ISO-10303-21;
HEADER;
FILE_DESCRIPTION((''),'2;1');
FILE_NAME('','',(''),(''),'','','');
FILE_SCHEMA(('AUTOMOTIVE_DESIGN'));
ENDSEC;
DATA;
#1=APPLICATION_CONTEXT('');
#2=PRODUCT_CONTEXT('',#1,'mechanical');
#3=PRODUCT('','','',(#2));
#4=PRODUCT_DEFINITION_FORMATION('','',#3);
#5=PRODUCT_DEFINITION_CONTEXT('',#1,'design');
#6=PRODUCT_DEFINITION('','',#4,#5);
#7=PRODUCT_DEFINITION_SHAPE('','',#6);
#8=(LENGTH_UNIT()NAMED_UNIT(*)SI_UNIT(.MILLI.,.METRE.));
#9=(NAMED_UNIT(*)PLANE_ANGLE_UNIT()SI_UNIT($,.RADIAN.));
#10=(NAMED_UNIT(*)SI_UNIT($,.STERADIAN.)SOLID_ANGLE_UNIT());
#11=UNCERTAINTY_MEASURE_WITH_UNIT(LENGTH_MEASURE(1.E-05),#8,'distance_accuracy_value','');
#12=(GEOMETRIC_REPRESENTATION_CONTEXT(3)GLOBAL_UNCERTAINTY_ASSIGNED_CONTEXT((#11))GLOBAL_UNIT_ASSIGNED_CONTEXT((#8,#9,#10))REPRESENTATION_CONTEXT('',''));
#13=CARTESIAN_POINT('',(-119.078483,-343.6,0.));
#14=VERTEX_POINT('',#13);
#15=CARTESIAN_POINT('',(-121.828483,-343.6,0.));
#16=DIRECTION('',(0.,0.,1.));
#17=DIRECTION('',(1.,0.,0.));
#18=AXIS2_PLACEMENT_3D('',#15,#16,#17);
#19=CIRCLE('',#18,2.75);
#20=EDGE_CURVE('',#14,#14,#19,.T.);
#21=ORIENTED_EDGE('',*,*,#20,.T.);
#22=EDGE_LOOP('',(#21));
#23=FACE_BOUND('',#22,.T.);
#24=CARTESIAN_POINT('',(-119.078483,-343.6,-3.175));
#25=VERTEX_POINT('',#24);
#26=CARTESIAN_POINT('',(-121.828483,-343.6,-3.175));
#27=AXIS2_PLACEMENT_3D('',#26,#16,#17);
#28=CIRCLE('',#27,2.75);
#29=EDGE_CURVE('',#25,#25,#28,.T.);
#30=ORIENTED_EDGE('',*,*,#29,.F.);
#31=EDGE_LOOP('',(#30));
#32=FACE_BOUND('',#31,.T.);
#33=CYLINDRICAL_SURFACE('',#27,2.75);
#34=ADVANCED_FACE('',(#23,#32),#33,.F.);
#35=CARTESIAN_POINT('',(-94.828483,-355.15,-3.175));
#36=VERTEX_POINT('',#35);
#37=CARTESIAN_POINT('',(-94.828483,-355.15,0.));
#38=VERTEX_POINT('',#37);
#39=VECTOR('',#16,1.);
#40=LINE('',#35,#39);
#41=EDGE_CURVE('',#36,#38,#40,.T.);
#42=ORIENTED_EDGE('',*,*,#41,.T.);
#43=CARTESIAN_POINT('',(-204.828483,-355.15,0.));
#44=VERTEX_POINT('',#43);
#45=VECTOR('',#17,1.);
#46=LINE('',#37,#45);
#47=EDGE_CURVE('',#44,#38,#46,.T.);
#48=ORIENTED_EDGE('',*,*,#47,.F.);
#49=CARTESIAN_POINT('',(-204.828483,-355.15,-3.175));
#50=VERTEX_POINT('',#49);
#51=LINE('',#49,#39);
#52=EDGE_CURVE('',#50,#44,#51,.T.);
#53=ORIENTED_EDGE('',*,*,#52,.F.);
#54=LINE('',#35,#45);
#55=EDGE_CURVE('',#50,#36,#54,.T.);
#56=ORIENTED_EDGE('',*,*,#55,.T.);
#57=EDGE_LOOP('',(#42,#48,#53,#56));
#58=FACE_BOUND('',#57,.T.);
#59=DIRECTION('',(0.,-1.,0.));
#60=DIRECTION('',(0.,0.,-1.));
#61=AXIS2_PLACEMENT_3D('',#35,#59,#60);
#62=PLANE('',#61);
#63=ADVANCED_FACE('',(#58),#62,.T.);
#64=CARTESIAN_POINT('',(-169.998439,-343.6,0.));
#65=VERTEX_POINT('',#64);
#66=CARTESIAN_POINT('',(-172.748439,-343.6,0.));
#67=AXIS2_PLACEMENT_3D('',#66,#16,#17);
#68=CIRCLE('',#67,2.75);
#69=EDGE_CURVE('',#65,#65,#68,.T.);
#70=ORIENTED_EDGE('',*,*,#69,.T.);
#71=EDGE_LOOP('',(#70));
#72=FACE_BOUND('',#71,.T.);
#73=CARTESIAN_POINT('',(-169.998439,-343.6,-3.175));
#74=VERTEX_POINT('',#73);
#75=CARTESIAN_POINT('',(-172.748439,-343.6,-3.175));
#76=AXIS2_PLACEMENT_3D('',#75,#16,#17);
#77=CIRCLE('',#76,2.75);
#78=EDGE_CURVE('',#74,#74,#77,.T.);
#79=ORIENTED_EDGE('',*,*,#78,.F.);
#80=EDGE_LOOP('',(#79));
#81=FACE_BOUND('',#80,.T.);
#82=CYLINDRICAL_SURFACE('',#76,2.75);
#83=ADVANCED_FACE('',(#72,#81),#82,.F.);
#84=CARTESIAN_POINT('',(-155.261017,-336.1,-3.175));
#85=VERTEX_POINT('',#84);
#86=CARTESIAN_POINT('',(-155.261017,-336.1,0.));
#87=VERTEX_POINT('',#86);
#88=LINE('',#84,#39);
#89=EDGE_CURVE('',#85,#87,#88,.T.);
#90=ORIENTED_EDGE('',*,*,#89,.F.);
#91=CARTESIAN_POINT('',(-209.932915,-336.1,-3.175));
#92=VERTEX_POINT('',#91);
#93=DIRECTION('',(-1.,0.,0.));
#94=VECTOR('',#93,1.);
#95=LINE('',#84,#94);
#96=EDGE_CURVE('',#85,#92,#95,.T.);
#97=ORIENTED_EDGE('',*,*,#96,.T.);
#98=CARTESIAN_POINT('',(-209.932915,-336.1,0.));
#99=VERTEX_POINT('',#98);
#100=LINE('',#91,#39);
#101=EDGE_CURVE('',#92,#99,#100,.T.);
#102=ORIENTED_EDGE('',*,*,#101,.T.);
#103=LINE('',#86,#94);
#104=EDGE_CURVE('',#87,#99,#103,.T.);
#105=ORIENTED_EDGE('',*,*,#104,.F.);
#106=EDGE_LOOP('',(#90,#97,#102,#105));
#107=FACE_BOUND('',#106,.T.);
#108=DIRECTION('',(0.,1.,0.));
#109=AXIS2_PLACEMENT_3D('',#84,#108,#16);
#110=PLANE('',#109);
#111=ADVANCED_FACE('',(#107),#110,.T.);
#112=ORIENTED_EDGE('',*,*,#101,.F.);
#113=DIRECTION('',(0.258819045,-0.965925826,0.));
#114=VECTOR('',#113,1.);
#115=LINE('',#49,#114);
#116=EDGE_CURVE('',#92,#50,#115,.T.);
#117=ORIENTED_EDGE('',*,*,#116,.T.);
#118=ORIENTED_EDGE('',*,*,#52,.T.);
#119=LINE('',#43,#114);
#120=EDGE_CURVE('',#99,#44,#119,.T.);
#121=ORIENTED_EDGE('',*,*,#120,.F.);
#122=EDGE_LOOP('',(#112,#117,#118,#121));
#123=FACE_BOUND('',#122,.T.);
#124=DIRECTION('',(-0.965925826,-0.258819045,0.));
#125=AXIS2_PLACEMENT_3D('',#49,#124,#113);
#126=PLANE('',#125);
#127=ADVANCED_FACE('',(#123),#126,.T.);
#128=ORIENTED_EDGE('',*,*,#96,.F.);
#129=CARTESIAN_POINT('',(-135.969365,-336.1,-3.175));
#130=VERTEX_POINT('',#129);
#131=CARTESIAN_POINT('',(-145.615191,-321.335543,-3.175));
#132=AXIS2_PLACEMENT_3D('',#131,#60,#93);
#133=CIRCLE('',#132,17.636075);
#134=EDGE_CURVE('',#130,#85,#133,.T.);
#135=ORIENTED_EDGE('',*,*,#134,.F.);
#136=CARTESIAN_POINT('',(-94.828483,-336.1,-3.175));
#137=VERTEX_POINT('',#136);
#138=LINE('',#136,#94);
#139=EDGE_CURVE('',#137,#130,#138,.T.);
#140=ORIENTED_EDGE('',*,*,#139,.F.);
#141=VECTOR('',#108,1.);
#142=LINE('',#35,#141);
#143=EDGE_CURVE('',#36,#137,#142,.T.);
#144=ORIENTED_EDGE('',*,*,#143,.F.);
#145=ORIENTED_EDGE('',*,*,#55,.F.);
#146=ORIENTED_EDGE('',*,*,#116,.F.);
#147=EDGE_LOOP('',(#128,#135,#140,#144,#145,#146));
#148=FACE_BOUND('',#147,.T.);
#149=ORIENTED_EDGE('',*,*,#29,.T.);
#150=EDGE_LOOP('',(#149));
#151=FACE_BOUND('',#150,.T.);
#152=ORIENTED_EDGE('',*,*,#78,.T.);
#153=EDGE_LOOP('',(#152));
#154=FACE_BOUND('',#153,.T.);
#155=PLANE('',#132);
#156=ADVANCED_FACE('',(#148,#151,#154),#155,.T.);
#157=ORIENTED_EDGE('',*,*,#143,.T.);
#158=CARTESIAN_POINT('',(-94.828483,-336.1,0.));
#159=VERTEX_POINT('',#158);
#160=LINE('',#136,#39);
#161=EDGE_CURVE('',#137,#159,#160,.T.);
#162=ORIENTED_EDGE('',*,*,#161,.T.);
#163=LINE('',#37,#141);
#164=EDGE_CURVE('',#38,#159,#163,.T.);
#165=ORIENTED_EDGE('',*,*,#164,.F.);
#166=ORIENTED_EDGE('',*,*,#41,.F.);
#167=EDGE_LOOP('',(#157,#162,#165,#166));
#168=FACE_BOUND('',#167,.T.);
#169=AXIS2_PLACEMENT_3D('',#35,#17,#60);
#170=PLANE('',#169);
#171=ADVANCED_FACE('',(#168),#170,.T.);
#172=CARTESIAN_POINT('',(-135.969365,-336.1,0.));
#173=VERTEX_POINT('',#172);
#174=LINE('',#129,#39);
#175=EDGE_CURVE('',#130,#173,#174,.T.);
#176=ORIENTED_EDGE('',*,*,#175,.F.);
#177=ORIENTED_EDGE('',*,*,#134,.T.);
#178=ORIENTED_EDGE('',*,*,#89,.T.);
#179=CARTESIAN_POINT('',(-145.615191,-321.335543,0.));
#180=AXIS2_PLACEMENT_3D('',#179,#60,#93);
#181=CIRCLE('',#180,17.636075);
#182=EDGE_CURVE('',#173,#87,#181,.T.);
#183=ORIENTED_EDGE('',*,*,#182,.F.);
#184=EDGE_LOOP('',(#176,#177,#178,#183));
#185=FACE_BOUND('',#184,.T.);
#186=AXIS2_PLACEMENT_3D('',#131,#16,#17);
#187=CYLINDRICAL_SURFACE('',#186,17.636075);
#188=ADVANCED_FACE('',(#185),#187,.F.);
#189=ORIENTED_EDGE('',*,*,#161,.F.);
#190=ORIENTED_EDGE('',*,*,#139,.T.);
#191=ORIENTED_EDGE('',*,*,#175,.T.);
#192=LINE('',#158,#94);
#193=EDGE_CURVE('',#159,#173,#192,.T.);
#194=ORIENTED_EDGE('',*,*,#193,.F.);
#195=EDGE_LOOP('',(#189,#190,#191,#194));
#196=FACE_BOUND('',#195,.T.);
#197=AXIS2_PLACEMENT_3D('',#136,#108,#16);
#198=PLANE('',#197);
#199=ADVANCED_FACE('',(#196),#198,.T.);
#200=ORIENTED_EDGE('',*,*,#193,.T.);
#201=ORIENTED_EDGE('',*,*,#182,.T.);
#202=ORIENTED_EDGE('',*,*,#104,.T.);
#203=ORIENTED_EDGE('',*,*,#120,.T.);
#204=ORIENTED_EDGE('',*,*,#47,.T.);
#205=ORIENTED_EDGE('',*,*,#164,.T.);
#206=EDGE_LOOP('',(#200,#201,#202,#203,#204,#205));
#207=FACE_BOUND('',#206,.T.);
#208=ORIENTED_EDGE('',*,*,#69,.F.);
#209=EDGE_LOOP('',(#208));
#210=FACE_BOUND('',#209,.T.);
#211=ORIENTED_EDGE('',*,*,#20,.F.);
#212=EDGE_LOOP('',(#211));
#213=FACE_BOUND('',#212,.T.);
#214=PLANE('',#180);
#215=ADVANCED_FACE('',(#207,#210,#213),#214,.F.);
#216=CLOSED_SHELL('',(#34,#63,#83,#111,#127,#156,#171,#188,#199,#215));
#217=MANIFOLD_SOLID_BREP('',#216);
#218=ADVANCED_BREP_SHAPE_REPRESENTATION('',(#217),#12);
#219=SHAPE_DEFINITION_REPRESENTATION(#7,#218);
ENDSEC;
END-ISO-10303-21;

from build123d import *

# Parameters (mm, degrees)
SKETCH1_R           = 2.75
BOSS_EXTRUDE1_DEPTH = 3.175


with BuildPart() as part:
    # Sketch1 → Boss-Extrude1 (new body)
    with BuildSketch(Plane.XY):
        with BuildLine():
            Line((-94.828483368, -355.15), (-204.828483368, -355.15))
            Line((-204.828483368, -355.15), (-209.932915484, -336.1))
            Line((-209.932915484, -336.1), (-155.261017178, -336.1))
            ThreePointArc((-155.261017178, -336.1), (-145.615191064, -338.971618374), (-135.96936495, -336.1))
            Line((-135.96936495, -336.1), (-94.828483368, -336.1))
            Line((-94.828483368, -336.1), (-94.828483368, -355.15))
        make_face()
        with Locations((-121.828483368, -343.6)):
            Circle(SKETCH1_R, mode=Mode.SUBTRACT)
        with Locations((-172.748438952, -343.6)):
            Circle(SKETCH1_R, mode=Mode.SUBTRACT)
    extrude(amount=-BOSS_EXTRUDE1_DEPTH)


solid = part.part
